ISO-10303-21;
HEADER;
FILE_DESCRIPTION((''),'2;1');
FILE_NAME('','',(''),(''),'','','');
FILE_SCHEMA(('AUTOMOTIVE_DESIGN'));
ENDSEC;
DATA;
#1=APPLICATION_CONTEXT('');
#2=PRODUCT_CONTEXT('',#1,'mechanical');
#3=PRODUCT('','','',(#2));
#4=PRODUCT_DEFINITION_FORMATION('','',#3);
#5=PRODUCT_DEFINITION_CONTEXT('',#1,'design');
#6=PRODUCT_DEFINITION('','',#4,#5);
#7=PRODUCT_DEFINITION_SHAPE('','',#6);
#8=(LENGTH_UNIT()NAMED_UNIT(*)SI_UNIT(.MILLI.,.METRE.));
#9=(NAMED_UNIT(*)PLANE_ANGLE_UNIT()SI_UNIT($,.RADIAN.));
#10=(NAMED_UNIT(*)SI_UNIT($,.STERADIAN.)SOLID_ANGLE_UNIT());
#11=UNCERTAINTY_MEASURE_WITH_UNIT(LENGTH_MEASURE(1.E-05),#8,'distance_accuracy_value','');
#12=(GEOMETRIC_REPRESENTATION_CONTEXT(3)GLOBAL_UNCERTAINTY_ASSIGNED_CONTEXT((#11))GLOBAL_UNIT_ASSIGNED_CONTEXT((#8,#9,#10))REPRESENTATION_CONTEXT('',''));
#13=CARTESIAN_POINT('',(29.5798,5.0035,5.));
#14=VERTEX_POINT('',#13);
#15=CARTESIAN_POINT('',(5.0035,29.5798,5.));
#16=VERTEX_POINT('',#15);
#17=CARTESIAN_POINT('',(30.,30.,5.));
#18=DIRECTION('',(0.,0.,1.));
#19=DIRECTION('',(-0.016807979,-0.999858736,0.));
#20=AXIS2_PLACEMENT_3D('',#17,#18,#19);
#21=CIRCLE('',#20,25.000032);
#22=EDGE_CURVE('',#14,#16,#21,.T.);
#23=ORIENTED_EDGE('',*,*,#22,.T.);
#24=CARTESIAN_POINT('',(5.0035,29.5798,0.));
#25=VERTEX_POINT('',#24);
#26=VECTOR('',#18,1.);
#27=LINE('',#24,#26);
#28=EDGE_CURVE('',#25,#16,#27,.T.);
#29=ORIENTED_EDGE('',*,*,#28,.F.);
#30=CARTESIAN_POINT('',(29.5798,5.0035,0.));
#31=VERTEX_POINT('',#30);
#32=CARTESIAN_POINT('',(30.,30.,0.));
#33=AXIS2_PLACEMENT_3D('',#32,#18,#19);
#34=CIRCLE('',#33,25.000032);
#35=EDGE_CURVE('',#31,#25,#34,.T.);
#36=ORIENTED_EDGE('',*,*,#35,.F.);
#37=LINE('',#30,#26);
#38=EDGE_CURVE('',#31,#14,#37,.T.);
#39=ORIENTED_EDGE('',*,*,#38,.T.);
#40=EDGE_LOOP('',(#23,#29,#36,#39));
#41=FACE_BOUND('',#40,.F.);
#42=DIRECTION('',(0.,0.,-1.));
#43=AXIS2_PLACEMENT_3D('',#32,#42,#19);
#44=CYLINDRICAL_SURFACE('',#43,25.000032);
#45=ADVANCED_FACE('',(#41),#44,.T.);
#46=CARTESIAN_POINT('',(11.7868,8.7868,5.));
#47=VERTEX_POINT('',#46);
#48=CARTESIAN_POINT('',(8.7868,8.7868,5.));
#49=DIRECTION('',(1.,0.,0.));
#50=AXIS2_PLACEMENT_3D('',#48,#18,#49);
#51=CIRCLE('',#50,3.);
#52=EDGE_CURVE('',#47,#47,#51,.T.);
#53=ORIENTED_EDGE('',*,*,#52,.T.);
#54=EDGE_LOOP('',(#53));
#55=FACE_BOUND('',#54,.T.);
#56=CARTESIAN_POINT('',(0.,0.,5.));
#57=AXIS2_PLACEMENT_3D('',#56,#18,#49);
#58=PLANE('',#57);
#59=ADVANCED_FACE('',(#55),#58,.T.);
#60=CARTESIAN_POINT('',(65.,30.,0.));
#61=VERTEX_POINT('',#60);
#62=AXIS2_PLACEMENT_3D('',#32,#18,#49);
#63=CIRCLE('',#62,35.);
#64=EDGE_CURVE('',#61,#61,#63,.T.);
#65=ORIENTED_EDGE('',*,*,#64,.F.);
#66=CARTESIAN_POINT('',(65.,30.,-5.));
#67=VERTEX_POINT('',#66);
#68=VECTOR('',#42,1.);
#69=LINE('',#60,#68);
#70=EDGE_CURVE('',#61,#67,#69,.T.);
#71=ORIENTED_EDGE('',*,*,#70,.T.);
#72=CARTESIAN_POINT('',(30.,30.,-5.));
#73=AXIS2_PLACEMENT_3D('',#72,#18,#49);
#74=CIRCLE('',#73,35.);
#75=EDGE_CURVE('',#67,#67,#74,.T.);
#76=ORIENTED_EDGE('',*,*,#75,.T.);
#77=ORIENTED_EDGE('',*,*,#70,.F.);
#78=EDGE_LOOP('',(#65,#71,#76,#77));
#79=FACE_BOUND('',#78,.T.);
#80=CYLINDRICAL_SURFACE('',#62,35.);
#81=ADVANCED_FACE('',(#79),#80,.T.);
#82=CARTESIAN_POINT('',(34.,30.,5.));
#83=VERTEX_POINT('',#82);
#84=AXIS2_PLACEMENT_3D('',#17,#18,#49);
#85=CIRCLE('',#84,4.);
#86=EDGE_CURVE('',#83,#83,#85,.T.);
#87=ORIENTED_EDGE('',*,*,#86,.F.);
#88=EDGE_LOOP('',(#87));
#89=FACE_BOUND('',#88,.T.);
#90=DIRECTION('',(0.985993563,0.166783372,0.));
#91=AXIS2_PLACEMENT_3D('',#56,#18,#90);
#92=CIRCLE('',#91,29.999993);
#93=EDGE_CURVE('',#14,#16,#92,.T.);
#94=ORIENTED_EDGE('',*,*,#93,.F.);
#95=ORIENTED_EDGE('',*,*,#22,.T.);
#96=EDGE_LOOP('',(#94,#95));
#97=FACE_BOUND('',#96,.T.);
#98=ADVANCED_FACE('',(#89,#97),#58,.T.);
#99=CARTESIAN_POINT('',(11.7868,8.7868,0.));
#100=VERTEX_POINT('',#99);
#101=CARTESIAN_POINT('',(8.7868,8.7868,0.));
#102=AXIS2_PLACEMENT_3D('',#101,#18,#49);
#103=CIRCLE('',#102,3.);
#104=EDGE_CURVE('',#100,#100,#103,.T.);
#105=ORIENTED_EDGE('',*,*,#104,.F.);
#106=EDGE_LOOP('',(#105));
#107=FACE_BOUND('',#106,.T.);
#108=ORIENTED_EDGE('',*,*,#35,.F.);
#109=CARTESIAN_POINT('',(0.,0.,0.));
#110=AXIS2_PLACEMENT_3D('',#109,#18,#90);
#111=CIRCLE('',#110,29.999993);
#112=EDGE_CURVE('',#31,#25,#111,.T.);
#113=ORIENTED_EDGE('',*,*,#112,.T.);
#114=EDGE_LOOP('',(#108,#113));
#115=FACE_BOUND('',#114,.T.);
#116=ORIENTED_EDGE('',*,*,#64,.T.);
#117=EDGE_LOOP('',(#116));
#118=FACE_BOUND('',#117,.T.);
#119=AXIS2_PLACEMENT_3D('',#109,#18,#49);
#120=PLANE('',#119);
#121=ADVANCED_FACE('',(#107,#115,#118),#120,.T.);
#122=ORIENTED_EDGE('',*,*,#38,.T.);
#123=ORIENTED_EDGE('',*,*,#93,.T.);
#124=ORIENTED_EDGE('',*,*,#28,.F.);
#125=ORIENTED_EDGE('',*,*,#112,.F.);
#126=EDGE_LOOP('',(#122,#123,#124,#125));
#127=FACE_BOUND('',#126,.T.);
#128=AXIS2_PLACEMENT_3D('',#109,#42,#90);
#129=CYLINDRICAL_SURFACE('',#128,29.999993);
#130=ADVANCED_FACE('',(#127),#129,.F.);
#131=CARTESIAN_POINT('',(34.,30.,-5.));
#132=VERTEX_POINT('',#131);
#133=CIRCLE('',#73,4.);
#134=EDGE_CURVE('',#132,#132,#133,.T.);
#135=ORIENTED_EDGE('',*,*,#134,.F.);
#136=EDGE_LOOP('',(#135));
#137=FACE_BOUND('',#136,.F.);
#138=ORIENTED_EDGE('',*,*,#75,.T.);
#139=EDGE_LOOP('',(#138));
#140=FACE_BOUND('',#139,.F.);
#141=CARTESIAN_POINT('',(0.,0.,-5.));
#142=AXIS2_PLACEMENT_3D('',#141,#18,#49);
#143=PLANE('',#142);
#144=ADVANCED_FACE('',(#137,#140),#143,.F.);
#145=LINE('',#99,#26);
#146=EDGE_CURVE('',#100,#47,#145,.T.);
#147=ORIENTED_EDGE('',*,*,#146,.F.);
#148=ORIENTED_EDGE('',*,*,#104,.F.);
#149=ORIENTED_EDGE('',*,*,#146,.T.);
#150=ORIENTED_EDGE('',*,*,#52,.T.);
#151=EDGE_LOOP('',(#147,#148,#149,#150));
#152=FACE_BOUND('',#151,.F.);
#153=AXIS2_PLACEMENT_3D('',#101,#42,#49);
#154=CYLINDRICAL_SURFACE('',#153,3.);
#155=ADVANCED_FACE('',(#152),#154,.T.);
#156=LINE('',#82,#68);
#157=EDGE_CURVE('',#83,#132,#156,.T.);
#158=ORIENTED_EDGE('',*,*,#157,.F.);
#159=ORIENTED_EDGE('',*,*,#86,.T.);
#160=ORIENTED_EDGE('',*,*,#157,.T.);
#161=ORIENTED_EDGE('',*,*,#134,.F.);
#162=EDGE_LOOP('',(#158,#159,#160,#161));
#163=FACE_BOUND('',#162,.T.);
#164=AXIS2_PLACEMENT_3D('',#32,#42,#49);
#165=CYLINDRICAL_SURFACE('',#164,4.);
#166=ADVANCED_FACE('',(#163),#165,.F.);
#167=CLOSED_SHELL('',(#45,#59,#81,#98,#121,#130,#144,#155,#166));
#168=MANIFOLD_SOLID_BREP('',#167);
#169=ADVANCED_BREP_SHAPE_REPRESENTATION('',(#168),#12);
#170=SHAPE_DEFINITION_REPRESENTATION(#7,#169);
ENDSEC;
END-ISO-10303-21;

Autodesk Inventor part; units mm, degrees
ref_plane "YZ Plane" through (0, 0, 0) normal (1, 0, 0) x (0, 1, 0)
ref_plane "XZ Plane" through (0, 0, 0) normal (0, 1, 0) x (-1, 0, 0)
ref_plane "XY Plane" through (0, 0, 0) normal (0, 0, 1) x (1, 0, 0)
sketch "Sketch1" plane through (0, 0, 0) normal (0, 0, 1) x (1, 0, 0)
  line L0 (0, 0) -> (30, 0) construction
  line L1 (30, 0) -> (30, 30) construction
  line L2 (30, 30) -> (0, 30) construction
  line L3 (0, 11.9722) -> (0, 0) construction
  circle A0 centre (0, 0) radius 30 construction
  circle A1 centre (30, 30) radius 30 construction
  circle A2 centre (30, 30) radius 35
  arc A3 (29.5798, 5.0035) -> (5.0035, 29.5798) centre (30, 30) ccw
  arc A4 (29.5798, 5.0035) -> (5.0035, 29.5798) centre (0, 0) ccw
  line L4 (30, 30) -> (0, 0) construction
  circle A5 centre (30, 30) radius 4
  circle A6 centre (8.7868, 8.7868) radius 3
  dimension "d3" = 60
  dimension "d4" = 70
  dimension "d0" = 30
  dimension "d1" = 30
  dimension "d2" = 60
  dimension "d5" = 50
  dimension "d6" = 8
  dimension "d7" = 6
extrude "Extrusion1" add sketch "Sketch1" along normal blind 5 contours A4 A3 | A6
extrude "Extrusion2" add sketch "Sketch1" against normal blind 5 contours A2 | A4 A3 | A6
properties part number "Geneva_driver"
